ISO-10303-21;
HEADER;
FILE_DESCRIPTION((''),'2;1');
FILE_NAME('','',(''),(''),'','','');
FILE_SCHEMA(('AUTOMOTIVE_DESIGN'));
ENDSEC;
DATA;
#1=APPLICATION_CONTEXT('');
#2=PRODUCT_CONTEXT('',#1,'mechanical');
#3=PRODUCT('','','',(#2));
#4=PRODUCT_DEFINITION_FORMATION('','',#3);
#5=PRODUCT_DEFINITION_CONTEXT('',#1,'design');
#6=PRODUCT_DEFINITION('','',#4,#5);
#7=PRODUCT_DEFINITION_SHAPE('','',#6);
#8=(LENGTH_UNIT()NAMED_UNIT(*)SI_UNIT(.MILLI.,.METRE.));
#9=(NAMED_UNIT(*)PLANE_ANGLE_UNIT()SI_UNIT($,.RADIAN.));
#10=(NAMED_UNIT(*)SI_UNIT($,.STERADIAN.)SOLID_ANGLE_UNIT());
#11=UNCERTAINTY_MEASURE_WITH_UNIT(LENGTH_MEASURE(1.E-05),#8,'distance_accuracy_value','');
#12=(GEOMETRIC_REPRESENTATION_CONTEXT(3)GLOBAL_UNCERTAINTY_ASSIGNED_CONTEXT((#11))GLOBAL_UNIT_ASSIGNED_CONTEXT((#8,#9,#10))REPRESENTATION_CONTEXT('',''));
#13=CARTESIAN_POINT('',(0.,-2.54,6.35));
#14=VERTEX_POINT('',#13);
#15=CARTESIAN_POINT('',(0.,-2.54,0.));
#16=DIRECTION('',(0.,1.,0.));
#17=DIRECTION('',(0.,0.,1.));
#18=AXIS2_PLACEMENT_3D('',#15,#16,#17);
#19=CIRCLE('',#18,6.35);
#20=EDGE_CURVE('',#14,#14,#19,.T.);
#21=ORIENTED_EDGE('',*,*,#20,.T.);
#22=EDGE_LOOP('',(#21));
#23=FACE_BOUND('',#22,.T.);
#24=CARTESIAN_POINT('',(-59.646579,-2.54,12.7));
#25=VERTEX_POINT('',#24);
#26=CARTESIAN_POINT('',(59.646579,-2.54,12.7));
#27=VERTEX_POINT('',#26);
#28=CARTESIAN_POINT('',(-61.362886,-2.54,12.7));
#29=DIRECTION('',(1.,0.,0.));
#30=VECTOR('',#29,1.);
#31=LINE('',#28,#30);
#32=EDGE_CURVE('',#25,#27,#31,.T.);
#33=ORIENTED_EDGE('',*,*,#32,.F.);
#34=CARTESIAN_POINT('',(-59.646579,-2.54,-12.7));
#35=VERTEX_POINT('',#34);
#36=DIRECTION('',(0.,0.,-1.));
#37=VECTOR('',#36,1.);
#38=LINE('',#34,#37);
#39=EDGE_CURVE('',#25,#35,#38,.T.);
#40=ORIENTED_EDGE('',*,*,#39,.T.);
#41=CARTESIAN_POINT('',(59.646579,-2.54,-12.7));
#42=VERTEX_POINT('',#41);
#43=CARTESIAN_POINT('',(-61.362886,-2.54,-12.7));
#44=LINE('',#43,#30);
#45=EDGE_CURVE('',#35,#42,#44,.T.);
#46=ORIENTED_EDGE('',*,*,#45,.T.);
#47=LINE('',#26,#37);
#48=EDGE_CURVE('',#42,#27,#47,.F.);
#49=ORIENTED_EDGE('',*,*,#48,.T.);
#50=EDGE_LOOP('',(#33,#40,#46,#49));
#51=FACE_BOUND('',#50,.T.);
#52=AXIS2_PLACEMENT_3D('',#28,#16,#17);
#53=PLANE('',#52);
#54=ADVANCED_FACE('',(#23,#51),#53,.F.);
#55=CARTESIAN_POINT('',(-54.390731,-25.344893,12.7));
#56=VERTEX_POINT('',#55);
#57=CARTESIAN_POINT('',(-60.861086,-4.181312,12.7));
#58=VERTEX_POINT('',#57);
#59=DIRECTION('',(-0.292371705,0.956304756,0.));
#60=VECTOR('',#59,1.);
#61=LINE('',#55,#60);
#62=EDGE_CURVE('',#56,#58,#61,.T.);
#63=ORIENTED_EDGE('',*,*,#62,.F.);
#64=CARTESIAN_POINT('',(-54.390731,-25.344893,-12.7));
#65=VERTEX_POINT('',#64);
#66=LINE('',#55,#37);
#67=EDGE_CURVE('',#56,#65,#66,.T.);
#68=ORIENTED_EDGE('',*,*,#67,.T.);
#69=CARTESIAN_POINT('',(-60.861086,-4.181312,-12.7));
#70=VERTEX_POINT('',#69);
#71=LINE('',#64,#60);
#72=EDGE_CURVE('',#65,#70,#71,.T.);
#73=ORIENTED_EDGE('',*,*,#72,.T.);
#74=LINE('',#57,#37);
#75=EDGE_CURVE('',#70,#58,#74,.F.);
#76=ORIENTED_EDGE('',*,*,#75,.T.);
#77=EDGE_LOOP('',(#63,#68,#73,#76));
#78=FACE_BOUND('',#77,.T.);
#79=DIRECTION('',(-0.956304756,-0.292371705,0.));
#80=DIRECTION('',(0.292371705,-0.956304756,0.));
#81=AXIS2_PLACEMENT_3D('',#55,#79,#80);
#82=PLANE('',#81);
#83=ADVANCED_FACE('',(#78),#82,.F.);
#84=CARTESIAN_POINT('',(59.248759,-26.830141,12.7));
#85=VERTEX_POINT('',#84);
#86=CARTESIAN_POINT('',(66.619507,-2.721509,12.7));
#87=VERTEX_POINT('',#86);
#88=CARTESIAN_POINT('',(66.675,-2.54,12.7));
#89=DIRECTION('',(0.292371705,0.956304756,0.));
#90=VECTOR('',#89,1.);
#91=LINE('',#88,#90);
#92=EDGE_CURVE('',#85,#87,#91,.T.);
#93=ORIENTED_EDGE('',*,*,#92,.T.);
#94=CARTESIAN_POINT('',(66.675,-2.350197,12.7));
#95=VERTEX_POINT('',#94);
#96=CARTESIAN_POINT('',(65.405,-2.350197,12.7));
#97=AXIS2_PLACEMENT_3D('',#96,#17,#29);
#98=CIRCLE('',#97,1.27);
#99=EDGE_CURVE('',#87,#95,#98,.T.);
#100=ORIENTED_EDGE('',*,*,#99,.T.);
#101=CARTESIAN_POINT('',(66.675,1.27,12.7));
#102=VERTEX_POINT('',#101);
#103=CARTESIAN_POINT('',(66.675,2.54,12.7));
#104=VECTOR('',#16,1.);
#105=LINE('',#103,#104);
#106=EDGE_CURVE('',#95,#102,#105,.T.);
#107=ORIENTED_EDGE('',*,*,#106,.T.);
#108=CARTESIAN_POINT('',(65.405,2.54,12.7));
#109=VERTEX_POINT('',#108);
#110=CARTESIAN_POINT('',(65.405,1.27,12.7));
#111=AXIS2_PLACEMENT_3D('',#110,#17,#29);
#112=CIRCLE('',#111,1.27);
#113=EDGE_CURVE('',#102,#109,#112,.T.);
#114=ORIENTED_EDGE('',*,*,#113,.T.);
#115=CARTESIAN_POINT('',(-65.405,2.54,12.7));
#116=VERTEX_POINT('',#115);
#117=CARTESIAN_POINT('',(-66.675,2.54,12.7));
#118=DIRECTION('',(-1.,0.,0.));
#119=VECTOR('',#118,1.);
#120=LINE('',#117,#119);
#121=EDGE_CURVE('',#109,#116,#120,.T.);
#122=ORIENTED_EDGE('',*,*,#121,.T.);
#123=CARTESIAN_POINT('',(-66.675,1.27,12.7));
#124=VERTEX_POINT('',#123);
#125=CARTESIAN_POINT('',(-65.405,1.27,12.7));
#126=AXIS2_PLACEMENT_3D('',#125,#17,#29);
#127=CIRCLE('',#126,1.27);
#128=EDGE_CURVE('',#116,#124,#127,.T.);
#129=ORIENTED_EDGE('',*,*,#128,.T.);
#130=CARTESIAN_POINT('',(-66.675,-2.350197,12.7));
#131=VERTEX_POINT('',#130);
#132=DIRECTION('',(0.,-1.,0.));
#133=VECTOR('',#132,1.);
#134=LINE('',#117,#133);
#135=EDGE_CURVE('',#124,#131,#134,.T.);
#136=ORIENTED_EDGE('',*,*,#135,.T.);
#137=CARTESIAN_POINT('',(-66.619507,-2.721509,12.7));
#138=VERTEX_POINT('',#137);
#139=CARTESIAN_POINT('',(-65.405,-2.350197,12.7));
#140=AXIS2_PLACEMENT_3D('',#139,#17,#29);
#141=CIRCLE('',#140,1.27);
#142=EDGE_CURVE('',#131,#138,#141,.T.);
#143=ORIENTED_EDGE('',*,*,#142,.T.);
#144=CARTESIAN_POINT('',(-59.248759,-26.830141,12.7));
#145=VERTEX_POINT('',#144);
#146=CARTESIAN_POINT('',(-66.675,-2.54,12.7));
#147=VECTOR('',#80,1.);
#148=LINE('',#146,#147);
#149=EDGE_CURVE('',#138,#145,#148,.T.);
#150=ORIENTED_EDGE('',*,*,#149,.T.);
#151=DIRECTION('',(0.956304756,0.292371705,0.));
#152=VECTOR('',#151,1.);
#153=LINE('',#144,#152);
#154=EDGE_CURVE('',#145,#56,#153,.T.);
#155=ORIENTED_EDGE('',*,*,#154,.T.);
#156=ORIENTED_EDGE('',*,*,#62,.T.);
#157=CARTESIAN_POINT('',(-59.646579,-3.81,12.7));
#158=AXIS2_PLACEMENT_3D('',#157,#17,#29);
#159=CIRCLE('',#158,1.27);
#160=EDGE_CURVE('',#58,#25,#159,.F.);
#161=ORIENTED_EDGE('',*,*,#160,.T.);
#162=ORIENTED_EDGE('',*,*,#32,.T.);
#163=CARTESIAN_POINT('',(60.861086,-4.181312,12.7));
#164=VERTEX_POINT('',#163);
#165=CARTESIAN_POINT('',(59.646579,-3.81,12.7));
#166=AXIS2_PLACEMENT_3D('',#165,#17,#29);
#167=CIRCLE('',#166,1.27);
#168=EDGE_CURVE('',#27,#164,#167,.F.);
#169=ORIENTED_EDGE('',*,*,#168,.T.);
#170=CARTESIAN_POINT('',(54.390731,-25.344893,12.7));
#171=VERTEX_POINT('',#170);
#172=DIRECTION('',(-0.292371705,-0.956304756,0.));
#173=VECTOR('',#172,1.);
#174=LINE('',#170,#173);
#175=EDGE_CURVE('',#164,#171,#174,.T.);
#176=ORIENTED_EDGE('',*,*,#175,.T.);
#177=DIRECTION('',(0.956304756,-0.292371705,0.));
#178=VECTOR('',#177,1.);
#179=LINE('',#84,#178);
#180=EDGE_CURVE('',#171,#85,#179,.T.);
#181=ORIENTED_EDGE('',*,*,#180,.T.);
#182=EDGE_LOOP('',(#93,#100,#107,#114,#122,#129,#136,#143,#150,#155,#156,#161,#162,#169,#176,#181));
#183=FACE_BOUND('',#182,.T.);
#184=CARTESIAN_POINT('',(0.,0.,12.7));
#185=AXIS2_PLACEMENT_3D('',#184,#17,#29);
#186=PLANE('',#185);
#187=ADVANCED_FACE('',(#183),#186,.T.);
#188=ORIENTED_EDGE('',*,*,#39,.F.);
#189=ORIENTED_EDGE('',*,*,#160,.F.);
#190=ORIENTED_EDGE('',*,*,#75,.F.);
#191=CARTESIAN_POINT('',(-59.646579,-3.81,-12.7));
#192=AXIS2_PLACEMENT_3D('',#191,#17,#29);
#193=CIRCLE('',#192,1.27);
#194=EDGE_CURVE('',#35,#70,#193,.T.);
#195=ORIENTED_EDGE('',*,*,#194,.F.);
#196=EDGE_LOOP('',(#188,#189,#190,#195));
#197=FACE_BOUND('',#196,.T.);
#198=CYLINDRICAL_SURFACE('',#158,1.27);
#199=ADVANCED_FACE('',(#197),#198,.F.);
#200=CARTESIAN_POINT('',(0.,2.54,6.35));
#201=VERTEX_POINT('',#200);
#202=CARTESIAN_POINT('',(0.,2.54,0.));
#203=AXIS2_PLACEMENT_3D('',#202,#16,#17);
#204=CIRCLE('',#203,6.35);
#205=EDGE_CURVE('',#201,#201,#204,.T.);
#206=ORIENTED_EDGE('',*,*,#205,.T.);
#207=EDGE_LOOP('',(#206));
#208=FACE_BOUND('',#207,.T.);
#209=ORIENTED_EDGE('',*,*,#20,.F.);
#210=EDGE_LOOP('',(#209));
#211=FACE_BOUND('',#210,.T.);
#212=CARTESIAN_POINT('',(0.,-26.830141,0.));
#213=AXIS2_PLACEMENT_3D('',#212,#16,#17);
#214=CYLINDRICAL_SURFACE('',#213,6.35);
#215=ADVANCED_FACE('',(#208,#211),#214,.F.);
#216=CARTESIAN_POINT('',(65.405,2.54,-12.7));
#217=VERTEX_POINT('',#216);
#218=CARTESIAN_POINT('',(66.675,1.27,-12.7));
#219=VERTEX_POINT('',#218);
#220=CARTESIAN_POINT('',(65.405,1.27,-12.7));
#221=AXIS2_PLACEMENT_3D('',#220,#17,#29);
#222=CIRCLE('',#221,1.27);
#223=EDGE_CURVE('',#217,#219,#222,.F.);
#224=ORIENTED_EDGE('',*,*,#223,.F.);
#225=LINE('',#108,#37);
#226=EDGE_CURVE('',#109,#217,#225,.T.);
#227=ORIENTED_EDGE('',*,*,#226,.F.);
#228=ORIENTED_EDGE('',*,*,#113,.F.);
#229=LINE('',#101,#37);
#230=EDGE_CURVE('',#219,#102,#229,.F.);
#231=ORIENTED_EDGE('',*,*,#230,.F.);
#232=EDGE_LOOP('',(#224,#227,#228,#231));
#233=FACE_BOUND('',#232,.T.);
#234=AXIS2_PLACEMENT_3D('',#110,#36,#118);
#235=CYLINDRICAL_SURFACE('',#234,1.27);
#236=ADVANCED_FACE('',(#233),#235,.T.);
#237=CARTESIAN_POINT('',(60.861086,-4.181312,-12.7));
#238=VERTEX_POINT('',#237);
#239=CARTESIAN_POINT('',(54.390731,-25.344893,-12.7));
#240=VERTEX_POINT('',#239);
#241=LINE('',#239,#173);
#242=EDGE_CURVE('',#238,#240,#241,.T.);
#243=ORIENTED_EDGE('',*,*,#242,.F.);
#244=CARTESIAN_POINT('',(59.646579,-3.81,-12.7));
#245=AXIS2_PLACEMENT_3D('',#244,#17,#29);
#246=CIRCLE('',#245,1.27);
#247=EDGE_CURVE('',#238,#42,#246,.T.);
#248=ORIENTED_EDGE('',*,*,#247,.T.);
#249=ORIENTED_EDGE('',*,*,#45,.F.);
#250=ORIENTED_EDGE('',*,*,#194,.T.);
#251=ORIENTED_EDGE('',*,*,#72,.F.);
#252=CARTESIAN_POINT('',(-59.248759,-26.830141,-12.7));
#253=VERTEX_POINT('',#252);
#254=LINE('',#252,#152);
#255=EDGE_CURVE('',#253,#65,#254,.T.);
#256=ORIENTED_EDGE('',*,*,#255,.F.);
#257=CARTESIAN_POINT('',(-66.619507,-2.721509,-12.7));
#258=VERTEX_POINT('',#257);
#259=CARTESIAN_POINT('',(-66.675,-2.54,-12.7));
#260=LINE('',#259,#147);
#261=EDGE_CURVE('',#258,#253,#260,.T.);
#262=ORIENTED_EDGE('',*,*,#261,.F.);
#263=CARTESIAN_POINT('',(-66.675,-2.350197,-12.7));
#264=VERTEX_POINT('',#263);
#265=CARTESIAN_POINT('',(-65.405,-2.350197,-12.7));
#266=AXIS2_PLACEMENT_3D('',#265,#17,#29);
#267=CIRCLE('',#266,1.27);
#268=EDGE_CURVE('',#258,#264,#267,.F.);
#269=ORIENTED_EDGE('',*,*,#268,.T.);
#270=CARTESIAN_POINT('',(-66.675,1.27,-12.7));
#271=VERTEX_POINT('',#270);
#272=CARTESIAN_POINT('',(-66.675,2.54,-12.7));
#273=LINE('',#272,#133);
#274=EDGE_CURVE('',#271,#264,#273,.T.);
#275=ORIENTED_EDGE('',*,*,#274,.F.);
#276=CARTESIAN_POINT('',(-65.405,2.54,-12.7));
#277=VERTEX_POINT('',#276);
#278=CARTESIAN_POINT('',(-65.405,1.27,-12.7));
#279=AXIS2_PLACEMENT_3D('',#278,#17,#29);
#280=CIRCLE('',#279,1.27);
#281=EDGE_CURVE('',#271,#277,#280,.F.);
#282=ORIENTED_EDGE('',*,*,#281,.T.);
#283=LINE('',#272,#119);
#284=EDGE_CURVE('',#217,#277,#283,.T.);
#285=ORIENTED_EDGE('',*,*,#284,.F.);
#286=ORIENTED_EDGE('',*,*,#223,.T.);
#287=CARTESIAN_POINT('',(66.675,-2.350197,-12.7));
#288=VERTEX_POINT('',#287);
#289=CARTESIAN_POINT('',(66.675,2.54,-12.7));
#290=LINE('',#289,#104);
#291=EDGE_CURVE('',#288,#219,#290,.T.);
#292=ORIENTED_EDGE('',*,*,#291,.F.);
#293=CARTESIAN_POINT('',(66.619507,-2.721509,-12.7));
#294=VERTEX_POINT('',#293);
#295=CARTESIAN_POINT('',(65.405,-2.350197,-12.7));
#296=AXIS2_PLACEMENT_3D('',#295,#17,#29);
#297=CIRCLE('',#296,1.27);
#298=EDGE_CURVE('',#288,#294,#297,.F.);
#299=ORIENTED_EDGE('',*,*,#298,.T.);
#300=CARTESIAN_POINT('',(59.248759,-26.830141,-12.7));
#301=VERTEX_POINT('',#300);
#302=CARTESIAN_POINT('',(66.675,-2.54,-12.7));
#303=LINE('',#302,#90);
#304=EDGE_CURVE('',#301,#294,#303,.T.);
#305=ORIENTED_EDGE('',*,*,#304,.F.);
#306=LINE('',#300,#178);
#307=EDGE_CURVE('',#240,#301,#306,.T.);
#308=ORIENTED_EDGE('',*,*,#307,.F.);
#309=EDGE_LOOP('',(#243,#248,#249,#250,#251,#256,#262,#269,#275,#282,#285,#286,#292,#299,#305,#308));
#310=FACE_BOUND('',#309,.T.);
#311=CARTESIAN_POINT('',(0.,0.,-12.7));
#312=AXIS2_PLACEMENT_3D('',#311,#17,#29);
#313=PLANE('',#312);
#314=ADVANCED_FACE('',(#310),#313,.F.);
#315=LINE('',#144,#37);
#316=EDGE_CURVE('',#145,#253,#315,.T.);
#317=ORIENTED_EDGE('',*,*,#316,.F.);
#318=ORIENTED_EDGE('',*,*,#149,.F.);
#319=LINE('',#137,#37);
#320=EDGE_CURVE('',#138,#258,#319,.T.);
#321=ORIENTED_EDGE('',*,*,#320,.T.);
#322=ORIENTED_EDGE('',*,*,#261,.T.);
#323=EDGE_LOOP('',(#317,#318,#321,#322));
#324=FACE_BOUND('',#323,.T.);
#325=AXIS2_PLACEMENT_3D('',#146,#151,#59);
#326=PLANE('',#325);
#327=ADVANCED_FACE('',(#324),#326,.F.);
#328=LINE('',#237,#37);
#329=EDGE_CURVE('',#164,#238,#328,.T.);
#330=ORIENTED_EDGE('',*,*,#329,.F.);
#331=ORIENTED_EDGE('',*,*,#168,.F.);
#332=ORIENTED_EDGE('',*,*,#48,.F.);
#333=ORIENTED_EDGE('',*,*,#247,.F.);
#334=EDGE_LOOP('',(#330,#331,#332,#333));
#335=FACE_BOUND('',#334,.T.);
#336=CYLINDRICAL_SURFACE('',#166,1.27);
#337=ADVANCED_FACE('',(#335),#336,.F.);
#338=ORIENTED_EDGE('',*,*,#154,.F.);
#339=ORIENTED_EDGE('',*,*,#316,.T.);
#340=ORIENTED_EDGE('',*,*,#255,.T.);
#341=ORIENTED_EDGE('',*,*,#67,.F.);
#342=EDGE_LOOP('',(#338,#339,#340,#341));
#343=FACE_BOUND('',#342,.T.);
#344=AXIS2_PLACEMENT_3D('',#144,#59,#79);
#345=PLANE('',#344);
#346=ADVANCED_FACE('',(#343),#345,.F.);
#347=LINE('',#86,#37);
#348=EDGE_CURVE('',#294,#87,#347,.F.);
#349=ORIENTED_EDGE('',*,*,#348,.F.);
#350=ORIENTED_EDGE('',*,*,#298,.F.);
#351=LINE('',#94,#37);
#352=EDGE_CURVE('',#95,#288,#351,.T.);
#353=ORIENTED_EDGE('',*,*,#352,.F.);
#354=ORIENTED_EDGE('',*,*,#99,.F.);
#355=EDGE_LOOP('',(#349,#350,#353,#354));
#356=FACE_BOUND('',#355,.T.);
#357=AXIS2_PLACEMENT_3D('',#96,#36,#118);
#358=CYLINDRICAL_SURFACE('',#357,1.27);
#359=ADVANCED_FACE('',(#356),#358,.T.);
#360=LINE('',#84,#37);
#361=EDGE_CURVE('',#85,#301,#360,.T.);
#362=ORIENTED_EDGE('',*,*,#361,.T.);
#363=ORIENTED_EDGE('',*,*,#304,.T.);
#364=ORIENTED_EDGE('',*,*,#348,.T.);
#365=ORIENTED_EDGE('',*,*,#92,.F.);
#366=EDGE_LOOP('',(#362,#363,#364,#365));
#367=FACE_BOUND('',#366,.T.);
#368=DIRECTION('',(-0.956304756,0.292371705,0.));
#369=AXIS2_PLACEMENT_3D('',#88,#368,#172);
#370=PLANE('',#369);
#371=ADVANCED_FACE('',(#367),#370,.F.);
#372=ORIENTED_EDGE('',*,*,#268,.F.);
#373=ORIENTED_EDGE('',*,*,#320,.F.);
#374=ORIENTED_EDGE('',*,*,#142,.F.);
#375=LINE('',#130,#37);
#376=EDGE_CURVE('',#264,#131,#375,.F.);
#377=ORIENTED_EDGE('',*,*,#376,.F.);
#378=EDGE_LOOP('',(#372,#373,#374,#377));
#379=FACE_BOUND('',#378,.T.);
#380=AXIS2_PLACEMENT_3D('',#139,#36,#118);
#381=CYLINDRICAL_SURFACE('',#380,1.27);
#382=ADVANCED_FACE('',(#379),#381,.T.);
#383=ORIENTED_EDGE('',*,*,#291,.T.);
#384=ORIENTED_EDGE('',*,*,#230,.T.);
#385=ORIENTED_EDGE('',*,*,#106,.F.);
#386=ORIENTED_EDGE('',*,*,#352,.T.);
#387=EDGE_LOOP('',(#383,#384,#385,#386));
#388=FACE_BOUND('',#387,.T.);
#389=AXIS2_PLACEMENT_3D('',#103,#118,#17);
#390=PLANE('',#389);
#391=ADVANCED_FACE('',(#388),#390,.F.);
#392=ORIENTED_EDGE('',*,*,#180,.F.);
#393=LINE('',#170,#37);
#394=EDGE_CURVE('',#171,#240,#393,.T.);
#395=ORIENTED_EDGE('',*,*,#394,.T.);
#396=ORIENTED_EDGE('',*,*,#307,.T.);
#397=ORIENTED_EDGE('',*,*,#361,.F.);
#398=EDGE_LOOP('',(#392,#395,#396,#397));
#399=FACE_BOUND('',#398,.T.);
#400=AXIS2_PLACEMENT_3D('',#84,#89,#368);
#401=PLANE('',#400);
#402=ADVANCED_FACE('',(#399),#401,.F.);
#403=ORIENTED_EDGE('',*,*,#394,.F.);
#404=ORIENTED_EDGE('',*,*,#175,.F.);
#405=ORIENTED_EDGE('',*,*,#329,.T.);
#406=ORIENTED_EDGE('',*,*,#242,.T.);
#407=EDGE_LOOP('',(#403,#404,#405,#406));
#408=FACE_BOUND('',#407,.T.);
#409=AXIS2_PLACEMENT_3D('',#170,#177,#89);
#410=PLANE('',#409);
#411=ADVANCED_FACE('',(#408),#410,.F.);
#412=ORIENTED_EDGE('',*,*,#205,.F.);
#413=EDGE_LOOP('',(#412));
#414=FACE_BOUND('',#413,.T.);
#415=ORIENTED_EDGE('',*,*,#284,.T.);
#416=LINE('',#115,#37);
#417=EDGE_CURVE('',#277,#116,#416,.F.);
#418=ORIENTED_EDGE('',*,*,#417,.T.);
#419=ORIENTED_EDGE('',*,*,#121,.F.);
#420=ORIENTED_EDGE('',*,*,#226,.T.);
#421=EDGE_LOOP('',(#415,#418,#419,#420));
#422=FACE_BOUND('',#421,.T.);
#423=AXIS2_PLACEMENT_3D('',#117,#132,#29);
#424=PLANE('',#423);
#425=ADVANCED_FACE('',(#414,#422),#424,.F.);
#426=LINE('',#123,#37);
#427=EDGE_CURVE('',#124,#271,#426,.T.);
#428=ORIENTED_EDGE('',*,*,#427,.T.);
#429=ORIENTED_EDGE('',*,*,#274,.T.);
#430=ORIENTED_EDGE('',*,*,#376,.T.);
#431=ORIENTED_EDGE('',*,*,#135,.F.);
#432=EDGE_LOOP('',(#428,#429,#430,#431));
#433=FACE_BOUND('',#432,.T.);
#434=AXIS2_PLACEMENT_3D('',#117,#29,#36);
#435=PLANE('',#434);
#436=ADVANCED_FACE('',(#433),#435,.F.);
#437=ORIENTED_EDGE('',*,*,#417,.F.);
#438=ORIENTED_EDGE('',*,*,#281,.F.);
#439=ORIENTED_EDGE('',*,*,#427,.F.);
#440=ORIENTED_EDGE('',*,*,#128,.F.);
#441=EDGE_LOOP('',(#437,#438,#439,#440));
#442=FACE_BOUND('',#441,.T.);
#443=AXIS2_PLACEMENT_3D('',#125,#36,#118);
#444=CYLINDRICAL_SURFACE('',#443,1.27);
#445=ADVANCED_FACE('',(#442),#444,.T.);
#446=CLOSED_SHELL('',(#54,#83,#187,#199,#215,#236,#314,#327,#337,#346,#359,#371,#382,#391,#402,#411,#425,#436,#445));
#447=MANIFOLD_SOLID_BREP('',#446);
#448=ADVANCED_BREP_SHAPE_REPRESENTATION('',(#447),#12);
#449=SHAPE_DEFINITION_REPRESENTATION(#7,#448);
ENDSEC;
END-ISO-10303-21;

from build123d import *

# Parameters (mm, degrees)
BOSS_EXTRUDE1_DEPTH = 12.7
SKETCH3_R           = 6.35
CUT_EXTRUDE1_DEPTH  = 74.955735381
FILLET1_R           = 1.27


with BuildPart() as part:
    # Sketch2 → Boss-Extrude1 (new, symmetric)
    with BuildSketch(Plane.XY):
        Polygon((66.675, -2.54), (59.2487587, -26.830140801), (54.39073054, -25.344892541), (61.362885877, -2.54), (-61.362885877, -2.54), (-54.39073054, -25.344892541), (-59.2487587, -26.830140801), (-66.675, -2.54), (-66.675, 2.54), (66.675, 2.54), align=None)
    extrude(amount=BOSS_EXTRUDE1_DEPTH, both=True)

    # Sketch3 → Cut-Extrude1 (cut, through all)
    with BuildSketch(Plane(origin=(0, 2.54, 0), x_dir=(1, 0, 0), z_dir=(0, 1, 0))):
        with Locations(Location((0, 0, 0), (0, 0, 270))):
            Circle(SKETCH3_R)
    extrude(amount=-CUT_EXTRUDE1_DEPTH, mode=Mode.SUBTRACT)

    # Fillet1
    fillet1_edges = [part.edges().sort_by_distance(p)[0] for p in [
        (66.675, -2.54, 0),
        (61.362885877, -2.54, 0),
        (-61.362885877, -2.54, 0),
        (-66.675, -2.54, 0),
        (-66.675, 2.54, 0),
        (66.675, 2.54, 0),
    ]]
    fillet(fillet1_edges, radius=FILLET1_R)


solid = part.part
